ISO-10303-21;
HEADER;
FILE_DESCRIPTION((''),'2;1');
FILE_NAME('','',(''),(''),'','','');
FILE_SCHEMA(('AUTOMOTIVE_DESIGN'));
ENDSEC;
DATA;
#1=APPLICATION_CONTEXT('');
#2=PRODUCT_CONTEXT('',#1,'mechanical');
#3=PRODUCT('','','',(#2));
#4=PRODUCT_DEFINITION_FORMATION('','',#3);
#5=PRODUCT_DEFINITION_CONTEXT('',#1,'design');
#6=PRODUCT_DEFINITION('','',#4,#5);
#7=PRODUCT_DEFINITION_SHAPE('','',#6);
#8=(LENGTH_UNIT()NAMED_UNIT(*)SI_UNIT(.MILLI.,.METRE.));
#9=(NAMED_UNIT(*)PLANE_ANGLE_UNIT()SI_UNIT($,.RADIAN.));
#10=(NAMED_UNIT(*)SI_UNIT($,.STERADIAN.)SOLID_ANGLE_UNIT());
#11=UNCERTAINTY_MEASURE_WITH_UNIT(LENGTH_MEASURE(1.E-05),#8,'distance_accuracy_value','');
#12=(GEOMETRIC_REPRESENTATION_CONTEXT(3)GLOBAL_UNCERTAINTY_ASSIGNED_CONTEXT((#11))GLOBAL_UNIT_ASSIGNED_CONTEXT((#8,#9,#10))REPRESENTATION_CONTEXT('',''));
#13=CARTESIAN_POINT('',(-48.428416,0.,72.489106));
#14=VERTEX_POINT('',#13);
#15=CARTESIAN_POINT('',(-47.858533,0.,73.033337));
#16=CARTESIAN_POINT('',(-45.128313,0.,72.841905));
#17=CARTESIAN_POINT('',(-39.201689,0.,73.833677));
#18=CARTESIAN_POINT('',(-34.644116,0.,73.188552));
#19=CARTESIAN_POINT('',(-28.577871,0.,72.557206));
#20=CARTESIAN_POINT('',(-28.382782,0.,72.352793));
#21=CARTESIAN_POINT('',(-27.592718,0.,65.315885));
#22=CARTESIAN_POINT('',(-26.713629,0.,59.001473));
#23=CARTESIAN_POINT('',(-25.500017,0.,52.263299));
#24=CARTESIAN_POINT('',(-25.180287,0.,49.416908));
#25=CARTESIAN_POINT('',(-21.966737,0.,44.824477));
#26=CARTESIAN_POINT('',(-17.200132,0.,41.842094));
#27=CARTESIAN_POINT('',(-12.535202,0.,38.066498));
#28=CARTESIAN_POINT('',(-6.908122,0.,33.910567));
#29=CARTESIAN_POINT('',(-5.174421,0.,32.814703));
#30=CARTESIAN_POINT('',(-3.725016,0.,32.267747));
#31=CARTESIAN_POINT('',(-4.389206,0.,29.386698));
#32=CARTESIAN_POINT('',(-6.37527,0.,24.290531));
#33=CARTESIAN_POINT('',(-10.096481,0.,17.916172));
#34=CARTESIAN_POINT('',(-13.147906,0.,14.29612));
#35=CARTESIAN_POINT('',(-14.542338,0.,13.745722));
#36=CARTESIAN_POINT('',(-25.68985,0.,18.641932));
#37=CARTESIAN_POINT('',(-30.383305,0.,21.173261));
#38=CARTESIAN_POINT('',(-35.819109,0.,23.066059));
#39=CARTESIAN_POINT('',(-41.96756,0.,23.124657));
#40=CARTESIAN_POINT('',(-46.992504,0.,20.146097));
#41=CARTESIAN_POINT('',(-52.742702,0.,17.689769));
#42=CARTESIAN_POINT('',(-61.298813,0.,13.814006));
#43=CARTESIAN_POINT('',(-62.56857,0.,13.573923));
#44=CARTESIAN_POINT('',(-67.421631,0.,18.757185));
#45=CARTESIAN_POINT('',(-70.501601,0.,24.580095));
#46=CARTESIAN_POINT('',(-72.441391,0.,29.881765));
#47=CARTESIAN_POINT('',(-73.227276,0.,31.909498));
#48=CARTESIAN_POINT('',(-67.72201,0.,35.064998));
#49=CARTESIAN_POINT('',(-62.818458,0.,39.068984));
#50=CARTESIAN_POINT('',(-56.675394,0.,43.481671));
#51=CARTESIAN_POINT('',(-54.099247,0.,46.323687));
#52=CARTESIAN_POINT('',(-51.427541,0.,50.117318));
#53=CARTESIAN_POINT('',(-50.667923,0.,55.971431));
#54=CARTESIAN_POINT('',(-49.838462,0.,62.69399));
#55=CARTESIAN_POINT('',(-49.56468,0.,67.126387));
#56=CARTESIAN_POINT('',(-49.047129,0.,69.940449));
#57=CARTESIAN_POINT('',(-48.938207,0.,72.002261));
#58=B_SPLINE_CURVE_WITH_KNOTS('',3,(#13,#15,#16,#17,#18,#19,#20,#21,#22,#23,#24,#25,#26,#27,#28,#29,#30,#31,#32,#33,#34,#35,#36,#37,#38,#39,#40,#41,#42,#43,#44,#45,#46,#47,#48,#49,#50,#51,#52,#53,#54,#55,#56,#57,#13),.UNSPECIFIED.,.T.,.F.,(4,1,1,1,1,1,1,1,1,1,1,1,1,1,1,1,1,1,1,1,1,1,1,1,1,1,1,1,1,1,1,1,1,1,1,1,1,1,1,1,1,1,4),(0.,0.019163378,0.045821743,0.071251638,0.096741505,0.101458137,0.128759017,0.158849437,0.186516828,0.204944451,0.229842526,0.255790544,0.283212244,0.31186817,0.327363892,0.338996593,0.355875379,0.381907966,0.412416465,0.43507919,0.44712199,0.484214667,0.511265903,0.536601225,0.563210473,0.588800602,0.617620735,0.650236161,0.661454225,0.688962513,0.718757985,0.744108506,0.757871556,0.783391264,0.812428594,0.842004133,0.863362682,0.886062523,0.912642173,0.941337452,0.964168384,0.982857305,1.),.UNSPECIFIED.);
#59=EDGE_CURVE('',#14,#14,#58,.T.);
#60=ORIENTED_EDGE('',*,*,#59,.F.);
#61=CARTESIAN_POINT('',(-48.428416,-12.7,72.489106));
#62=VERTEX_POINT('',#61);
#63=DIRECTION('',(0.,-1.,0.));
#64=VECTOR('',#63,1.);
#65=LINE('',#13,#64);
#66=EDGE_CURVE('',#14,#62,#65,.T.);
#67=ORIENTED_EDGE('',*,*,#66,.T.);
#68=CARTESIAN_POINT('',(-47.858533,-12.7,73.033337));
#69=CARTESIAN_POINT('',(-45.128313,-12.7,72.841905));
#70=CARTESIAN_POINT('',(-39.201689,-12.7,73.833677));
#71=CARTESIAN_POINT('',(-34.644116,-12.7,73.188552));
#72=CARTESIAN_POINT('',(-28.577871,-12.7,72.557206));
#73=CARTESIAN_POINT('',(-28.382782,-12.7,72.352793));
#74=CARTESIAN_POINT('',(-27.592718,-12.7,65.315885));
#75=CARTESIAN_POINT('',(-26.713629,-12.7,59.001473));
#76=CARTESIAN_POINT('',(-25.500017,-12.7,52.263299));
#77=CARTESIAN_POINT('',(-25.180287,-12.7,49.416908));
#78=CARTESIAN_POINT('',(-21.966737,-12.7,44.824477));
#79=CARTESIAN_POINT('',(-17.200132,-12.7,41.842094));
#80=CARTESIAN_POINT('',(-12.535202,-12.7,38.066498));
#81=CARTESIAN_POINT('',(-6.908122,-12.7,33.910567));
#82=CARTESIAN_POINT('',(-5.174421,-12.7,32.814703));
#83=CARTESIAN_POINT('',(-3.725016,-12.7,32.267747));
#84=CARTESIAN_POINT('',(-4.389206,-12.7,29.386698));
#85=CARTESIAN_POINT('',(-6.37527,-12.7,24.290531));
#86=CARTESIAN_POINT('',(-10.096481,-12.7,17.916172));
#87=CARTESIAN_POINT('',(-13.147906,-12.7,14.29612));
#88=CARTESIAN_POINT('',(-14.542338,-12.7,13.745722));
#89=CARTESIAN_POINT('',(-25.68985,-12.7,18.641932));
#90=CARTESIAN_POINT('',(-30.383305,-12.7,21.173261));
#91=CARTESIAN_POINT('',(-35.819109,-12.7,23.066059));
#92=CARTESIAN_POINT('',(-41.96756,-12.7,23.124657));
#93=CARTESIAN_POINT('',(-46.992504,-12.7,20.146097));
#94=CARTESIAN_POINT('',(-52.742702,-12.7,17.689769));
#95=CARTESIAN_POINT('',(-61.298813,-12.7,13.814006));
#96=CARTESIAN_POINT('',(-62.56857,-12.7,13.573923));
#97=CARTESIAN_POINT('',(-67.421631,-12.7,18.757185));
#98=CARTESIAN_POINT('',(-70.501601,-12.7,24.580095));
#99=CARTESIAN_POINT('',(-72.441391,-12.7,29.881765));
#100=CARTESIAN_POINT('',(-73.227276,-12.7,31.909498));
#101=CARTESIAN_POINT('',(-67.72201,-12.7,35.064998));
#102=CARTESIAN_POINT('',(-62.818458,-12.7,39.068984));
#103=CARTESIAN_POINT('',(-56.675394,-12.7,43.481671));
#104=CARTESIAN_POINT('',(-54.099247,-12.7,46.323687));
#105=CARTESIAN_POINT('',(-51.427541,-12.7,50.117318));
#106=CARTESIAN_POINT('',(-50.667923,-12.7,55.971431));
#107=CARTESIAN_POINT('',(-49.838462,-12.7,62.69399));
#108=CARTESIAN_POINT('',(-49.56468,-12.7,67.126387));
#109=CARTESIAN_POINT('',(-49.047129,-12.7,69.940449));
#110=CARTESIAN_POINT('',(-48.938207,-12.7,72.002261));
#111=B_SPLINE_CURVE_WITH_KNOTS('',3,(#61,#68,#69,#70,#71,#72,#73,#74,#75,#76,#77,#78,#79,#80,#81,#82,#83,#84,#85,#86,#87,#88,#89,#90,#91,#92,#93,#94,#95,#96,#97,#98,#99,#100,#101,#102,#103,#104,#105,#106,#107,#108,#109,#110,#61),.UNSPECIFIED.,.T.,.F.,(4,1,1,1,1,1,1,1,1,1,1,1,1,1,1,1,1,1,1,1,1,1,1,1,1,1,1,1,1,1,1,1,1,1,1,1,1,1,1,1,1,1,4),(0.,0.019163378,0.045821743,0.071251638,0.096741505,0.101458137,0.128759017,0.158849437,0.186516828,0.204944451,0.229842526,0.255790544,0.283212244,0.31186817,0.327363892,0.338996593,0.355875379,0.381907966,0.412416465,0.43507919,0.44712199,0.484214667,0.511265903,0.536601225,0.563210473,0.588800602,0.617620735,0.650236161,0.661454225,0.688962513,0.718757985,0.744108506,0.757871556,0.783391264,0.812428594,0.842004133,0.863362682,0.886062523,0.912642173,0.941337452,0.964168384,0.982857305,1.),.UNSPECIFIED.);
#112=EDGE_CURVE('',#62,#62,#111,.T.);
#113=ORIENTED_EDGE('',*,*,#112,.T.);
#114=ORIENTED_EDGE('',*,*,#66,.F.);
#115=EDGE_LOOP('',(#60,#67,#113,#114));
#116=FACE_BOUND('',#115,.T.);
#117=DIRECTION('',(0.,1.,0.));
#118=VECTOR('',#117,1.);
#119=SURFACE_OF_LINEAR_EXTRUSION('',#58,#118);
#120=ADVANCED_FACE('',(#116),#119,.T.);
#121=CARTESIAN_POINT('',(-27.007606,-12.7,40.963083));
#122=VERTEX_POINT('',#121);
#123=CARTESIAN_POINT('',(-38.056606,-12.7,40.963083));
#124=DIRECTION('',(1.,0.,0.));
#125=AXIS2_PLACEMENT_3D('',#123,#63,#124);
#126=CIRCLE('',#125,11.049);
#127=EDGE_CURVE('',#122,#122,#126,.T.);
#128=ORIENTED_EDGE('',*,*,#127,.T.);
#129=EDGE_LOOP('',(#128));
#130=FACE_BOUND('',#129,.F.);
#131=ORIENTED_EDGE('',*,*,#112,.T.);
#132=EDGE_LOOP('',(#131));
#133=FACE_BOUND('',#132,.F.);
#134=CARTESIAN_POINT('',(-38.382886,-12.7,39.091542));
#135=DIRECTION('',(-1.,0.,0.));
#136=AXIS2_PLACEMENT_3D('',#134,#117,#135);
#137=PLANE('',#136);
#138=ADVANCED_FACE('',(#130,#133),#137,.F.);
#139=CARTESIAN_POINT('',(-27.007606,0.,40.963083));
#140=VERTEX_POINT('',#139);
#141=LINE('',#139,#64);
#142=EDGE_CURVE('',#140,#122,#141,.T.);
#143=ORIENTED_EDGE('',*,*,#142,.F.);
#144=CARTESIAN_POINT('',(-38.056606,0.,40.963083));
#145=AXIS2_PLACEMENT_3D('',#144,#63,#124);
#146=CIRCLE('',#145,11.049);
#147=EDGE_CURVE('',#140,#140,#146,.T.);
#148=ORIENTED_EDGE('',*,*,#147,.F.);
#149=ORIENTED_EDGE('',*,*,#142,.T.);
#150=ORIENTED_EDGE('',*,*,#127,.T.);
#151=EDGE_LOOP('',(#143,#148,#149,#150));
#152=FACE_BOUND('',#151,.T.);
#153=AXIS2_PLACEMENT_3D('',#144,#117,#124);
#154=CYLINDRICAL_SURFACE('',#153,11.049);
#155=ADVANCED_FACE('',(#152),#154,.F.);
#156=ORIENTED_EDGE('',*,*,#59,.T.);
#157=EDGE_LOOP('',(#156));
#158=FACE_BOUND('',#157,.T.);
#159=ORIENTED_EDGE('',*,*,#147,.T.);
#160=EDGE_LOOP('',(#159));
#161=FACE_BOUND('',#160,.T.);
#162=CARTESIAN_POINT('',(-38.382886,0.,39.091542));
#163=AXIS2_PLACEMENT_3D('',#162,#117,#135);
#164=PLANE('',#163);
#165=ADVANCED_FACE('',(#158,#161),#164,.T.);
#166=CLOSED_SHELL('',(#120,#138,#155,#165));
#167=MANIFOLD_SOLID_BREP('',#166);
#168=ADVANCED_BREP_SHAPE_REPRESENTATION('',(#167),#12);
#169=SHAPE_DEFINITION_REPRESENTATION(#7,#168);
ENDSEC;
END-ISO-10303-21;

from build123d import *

# Parameters (mm, degrees)
F0_R     = 11.049
F1_DEPTH = 12.7


with BuildPart() as f1:
    # F0 (on Front) → F1 (new body)
    with BuildSketch(Plane.XZ):
        with BuildLine():
            add(Edge.make_bspline(
                [(-48.4284156842, 72.4891056286), (-47.8585325133, 73.0333365028), (-45.1283125182, 72.8419046597), (-39.2016889395, 73.8336768809), (-34.6441157352, 73.188551745), (-28.5778709854, 72.5572056621), (-28.3827820945, 72.3527925912), (-27.5927180033, 65.3158847732), (-26.7136294827, 59.0014726423), (-25.5000168722, 52.2632986053), (-25.1802872966, 49.4169080087), (-21.9667374085, 44.8244767649), (-17.2001317836, 41.8420936042), (-12.5352022883, 38.0664975853), (-6.9081216287, 33.9105665963), (-5.1744206945, 32.8147026678), (-3.7250161305, 32.2677470439), (-4.389205708, 29.3866980163), (-6.3752698276, 24.2905312724), (-10.0964813562, 17.9161721636), (-13.1479055588, 14.2961200762), (-14.5423375693, 13.7457218454), (-25.6898495822, 18.6419315226), (-30.3833048215, 21.1732607426), (-35.8191094991, 23.066058937), (-41.9675595716, 23.1246570553), (-46.9925038119, 20.1460973767), (-52.742701691, 17.6897686365), (-61.2988131243, 13.814006454), (-62.5685698829, 13.5739228513), (-67.4216308574, 18.7571846512), (-70.5016010568, 24.5800953233), (-72.4413912411, 29.8817646196), (-73.2272755001, 31.9094983725), (-67.7220103651, 35.0649977909), (-62.8184579027, 39.06898427), (-56.6753935465, 43.4816708041), (-54.0992473659, 46.3236869217), (-51.427540617, 50.1173182267), (-50.6679230319, 55.9714313464), (-49.8384622381, 62.6939895193), (-49.5646799356, 67.1263873436), (-49.0471290627, 69.9404493781), (-48.9382074952, 72.0022612064), (-48.4284156842, 72.4891056286)],
                knots=[0, 0, 0, 0, 0.0191633782, 0.0458217433, 0.0712516381, 0.0967415046, 0.1014581369, 0.1287590167, 0.1588494366, 0.1865168283, 0.2049444511, 0.2298425258, 0.2557905435, 0.2832122435, 0.3118681695, 0.3273638915, 0.3389965933, 0.3558753792, 0.3819079661, 0.4124164647, 0.4350791895, 0.4471219899, 0.4842146669, 0.5112659029, 0.5366012246, 0.563210473, 0.5888006022, 0.6176207353, 0.6502361614, 0.6614542255, 0.6889625128, 0.7187579846, 0.7441085057, 0.7578715559, 0.7833912637, 0.8124285942, 0.8420041333, 0.8633626816, 0.8860625233, 0.912642173, 0.9413374519, 0.9641683839, 0.9828573052, 1, 1, 1, 1], degree=3))
        make_face()
        with Locations((-38.0566057278, 40.963082642)):
            Circle(F0_R, mode=Mode.SUBTRACT)
    extrude(amount=F1_DEPTH)


solid = f1.part
